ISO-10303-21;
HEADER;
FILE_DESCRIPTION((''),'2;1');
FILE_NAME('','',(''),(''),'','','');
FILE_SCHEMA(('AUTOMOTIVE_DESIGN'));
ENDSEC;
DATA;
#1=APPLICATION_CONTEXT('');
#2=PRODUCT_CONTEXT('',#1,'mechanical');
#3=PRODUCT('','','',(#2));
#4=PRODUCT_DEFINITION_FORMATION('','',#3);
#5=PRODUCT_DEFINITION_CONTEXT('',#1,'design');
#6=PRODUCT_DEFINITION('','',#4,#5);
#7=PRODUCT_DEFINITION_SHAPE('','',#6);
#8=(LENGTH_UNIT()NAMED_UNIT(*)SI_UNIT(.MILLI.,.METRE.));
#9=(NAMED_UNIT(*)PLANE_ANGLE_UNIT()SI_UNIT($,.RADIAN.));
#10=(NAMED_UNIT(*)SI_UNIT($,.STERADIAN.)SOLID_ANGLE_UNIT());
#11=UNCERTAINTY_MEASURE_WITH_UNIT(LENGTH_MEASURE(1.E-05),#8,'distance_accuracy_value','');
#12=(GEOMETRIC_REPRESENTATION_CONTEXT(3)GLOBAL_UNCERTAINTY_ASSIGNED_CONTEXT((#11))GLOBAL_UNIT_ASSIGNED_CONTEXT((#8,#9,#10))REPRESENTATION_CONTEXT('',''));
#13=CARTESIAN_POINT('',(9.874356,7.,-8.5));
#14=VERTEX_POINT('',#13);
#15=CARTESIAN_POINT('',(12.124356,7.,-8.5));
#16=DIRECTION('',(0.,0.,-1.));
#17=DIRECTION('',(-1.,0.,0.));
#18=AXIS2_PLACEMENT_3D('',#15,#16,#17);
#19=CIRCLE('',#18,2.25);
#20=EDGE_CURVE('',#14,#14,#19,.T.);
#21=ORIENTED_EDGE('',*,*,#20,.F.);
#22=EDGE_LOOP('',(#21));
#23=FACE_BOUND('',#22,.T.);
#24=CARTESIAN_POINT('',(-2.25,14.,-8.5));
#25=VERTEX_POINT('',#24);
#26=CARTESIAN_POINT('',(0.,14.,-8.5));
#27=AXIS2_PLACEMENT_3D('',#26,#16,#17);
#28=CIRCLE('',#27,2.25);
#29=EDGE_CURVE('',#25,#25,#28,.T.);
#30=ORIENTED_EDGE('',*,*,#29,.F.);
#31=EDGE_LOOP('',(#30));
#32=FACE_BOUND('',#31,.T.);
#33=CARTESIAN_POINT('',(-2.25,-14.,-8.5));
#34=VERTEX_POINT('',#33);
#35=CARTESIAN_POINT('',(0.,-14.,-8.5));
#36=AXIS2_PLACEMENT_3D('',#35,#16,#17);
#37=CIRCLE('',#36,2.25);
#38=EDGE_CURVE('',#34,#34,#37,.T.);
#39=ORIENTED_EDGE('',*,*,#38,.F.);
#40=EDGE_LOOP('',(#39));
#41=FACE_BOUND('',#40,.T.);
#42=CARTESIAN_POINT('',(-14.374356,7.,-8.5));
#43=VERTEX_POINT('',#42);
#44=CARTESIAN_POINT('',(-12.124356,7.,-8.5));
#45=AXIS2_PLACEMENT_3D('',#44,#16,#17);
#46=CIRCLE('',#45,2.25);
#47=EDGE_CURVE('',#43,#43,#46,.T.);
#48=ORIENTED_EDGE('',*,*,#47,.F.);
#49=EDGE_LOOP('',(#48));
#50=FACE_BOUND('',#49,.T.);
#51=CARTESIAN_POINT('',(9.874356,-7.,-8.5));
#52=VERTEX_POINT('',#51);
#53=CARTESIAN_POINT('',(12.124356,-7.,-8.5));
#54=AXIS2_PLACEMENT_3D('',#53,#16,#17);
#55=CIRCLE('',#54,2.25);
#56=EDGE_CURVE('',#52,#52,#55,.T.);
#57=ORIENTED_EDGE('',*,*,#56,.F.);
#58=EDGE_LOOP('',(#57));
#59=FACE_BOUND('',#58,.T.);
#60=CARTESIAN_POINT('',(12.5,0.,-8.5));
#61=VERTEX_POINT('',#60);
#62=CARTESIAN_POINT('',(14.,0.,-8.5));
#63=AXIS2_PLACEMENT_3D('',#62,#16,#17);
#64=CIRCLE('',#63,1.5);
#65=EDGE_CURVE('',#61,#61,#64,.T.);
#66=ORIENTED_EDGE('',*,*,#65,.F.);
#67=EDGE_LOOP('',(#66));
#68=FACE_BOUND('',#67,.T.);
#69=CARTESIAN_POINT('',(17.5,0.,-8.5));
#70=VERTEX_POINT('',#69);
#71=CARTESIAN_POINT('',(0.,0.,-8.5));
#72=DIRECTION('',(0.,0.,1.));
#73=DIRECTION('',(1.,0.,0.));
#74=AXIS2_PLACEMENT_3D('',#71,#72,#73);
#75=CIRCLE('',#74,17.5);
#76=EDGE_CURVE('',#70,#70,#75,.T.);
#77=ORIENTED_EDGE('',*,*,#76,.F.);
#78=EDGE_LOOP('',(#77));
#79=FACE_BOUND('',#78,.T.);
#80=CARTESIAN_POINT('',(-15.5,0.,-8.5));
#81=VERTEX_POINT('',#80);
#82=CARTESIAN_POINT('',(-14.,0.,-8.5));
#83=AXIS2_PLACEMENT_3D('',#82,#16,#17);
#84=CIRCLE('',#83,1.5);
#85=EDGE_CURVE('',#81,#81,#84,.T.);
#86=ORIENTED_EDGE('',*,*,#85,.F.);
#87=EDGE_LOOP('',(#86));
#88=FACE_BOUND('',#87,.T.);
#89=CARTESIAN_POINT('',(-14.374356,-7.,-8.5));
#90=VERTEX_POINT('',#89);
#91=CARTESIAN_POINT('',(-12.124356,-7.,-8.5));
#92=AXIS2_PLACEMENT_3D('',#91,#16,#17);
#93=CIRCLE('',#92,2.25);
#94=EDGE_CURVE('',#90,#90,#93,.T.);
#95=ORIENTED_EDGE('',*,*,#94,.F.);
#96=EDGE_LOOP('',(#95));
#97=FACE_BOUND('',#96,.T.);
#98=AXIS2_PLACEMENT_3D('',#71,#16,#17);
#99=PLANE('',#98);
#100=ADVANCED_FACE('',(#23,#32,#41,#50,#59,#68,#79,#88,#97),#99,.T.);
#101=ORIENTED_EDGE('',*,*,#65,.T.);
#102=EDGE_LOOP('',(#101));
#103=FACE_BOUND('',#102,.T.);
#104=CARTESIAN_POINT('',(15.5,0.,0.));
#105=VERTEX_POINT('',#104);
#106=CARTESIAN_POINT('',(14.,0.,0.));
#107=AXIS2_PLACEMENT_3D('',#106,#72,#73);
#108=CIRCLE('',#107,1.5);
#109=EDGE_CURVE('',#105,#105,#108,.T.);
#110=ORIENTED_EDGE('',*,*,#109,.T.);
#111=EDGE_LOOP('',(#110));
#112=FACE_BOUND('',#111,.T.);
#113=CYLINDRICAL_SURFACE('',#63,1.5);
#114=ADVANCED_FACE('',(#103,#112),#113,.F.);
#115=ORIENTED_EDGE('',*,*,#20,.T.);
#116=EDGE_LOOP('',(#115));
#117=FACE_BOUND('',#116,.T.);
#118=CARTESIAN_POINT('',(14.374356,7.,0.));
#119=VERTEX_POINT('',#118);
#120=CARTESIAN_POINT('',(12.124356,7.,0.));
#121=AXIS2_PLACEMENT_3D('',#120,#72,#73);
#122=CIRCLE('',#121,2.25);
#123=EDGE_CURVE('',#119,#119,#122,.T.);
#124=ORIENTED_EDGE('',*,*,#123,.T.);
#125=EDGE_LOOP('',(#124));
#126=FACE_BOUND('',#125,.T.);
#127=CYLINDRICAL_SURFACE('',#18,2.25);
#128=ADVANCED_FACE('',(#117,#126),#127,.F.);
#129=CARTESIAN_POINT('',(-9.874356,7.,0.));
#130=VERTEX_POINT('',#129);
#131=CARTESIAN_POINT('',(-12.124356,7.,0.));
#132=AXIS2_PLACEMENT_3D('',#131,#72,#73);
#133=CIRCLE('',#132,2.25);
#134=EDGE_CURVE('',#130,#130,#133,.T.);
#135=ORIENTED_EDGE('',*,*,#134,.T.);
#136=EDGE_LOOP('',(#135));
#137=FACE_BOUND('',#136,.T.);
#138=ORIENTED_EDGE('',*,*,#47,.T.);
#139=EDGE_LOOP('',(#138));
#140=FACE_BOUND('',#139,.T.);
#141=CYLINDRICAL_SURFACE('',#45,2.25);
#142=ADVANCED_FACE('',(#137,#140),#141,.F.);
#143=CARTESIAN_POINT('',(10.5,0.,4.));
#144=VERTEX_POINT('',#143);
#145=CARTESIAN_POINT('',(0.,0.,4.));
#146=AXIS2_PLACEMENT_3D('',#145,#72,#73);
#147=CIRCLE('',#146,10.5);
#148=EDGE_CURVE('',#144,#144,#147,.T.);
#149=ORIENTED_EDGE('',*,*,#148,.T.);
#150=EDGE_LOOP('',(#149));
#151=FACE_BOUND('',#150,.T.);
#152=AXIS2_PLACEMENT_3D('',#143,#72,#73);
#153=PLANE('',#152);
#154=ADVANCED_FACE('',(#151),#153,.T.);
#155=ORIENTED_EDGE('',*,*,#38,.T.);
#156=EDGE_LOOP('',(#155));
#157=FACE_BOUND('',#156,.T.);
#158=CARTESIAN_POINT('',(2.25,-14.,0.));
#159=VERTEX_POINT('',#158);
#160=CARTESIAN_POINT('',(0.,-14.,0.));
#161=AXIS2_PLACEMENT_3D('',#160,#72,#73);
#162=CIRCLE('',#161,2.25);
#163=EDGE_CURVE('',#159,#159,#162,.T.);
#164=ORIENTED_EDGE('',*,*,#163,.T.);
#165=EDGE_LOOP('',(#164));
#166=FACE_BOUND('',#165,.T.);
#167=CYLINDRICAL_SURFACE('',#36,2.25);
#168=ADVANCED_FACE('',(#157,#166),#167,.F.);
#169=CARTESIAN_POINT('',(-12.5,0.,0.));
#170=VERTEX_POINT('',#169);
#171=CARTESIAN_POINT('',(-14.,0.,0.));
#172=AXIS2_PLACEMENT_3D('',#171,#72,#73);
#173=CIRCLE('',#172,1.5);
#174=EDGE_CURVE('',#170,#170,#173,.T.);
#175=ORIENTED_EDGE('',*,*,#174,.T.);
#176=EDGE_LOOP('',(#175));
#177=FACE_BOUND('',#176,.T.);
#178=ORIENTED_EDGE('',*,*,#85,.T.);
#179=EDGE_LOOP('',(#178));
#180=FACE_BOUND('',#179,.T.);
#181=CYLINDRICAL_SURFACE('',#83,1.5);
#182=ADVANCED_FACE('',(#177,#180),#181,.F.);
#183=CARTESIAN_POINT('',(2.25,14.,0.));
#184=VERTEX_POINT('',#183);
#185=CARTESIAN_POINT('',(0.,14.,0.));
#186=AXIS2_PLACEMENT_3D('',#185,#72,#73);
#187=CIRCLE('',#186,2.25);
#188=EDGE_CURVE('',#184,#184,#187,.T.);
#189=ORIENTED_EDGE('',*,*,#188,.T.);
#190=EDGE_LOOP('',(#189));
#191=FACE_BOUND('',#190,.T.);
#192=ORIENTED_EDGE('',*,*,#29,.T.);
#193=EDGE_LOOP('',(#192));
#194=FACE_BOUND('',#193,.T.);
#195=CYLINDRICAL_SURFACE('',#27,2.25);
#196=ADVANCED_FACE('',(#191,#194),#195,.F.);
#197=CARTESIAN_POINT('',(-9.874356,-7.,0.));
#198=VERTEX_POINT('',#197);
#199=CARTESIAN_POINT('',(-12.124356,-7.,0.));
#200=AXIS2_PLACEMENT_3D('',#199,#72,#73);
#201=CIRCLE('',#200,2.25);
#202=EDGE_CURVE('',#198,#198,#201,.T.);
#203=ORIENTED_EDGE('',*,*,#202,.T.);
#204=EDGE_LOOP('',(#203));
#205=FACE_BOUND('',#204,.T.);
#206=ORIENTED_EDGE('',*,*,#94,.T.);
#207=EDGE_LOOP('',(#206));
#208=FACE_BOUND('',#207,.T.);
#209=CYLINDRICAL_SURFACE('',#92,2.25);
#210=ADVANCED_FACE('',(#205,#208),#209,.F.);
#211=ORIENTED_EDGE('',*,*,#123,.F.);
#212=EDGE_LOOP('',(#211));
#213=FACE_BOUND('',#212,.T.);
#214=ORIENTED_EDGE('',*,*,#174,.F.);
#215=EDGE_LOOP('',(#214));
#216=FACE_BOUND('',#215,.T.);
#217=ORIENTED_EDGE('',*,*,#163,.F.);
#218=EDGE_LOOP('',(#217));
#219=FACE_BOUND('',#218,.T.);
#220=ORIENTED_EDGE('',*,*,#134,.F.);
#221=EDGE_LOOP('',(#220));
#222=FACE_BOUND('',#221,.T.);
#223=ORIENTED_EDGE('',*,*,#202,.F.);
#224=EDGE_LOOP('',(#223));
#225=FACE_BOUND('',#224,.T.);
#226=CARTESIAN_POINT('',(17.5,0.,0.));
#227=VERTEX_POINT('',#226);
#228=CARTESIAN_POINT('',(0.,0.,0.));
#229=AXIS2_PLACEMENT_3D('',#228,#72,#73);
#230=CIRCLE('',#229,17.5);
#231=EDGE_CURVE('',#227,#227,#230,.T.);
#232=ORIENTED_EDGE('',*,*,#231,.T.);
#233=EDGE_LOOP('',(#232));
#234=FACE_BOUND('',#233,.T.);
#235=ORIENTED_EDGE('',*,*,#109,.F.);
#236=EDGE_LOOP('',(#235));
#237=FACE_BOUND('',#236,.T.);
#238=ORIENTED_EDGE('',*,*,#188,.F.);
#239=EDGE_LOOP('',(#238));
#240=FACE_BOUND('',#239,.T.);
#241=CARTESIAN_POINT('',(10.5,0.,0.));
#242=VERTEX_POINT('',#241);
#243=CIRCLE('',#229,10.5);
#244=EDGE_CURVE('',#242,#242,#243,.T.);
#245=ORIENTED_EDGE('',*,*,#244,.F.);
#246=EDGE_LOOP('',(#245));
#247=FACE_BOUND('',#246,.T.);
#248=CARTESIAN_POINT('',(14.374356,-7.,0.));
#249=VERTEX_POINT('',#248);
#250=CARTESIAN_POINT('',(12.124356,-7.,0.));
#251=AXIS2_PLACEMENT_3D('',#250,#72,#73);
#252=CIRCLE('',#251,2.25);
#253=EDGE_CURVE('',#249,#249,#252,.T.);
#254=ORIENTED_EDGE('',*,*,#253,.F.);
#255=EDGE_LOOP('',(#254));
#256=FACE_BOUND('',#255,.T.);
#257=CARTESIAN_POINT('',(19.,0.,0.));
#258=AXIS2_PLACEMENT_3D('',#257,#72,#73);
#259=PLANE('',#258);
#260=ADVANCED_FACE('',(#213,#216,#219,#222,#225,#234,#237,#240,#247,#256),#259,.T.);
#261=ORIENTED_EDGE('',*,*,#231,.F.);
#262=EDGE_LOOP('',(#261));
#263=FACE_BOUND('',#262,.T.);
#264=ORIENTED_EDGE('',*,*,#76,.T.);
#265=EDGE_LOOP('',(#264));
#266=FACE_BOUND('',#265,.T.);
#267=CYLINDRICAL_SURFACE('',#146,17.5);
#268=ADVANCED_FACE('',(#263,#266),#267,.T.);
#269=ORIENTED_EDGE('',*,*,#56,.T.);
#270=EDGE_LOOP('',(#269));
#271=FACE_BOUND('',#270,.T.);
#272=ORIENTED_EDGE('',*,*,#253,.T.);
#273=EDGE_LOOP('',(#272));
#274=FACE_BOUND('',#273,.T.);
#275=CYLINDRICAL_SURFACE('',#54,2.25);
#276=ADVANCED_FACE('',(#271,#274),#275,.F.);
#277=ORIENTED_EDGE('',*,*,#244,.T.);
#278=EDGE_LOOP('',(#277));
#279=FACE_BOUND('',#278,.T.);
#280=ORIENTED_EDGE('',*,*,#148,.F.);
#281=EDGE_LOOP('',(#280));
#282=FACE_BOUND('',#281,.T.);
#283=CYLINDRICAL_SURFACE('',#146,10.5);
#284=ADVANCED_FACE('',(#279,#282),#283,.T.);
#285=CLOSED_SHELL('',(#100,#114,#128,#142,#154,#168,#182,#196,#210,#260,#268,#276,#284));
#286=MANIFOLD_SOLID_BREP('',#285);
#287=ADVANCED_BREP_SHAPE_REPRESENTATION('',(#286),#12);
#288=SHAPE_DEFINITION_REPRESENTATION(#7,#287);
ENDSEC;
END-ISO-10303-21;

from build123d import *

# Parameters (mm, degrees)
M4_CLEARANCE_HOLE1_D  = 4.5
F_3_0MM_DOWEL_HOLE1_D = 3
SKETCH9_R             = 19
SKETCH9_R_2           = 17.5
CUT_EXTRUDE1_DEPTH    = 29.182441342


with BuildPart() as part:
    # Sketch1 → Revolve1 (revolve)
    with BuildSketch(Plane(origin=(0, 0, 0), x_dir=(1, 0, 0), z_dir=(0, 1, 0))):
        Polygon((19, 8.5), (19, 7.5), (17.5, 7.5), (17.5, 1), (19, 1), (19, 0), (10.5, 0), (10.5, -4), (0, -4), (0, 8.5), align=None)
    revolve(axis=Axis((0, 0, 4), (0, 0, -1)))

    # M4 Clearance Hole1 (through all)
    with Locations(Plane(origin=(0, 0, -8.5), x_dir=(-1, 0, 0), z_dir=(0, 0, -1))):
        with Locations((-12.124355653, 7), (0, 14), (12.124355653, 7), (12.124355653, -7), (0, -14), (-12.124355653, -7)):
            Hole(M4_CLEARANCE_HOLE1_D / 2)

    # Ø3.0mm Dowel Hole1 (through all)
    with Locations(Plane(origin=(0, 0, -8.5), x_dir=(-1, 0, 0), z_dir=(0, 0, -1))):
        with Locations((14, 0), (-14, 0)):
            Hole(F_3_0MM_DOWEL_HOLE1_D / 2)

    # Sketch9 → Cut-Extrude1 (cut, through all)
    with BuildSketch(Plane.XY):
        Circle(SKETCH9_R)
        Circle(SKETCH9_R_2, mode=Mode.SUBTRACT)
    extrude(amount=-CUT_EXTRUDE1_DEPTH, mode=Mode.SUBTRACT)


solid = part.part
